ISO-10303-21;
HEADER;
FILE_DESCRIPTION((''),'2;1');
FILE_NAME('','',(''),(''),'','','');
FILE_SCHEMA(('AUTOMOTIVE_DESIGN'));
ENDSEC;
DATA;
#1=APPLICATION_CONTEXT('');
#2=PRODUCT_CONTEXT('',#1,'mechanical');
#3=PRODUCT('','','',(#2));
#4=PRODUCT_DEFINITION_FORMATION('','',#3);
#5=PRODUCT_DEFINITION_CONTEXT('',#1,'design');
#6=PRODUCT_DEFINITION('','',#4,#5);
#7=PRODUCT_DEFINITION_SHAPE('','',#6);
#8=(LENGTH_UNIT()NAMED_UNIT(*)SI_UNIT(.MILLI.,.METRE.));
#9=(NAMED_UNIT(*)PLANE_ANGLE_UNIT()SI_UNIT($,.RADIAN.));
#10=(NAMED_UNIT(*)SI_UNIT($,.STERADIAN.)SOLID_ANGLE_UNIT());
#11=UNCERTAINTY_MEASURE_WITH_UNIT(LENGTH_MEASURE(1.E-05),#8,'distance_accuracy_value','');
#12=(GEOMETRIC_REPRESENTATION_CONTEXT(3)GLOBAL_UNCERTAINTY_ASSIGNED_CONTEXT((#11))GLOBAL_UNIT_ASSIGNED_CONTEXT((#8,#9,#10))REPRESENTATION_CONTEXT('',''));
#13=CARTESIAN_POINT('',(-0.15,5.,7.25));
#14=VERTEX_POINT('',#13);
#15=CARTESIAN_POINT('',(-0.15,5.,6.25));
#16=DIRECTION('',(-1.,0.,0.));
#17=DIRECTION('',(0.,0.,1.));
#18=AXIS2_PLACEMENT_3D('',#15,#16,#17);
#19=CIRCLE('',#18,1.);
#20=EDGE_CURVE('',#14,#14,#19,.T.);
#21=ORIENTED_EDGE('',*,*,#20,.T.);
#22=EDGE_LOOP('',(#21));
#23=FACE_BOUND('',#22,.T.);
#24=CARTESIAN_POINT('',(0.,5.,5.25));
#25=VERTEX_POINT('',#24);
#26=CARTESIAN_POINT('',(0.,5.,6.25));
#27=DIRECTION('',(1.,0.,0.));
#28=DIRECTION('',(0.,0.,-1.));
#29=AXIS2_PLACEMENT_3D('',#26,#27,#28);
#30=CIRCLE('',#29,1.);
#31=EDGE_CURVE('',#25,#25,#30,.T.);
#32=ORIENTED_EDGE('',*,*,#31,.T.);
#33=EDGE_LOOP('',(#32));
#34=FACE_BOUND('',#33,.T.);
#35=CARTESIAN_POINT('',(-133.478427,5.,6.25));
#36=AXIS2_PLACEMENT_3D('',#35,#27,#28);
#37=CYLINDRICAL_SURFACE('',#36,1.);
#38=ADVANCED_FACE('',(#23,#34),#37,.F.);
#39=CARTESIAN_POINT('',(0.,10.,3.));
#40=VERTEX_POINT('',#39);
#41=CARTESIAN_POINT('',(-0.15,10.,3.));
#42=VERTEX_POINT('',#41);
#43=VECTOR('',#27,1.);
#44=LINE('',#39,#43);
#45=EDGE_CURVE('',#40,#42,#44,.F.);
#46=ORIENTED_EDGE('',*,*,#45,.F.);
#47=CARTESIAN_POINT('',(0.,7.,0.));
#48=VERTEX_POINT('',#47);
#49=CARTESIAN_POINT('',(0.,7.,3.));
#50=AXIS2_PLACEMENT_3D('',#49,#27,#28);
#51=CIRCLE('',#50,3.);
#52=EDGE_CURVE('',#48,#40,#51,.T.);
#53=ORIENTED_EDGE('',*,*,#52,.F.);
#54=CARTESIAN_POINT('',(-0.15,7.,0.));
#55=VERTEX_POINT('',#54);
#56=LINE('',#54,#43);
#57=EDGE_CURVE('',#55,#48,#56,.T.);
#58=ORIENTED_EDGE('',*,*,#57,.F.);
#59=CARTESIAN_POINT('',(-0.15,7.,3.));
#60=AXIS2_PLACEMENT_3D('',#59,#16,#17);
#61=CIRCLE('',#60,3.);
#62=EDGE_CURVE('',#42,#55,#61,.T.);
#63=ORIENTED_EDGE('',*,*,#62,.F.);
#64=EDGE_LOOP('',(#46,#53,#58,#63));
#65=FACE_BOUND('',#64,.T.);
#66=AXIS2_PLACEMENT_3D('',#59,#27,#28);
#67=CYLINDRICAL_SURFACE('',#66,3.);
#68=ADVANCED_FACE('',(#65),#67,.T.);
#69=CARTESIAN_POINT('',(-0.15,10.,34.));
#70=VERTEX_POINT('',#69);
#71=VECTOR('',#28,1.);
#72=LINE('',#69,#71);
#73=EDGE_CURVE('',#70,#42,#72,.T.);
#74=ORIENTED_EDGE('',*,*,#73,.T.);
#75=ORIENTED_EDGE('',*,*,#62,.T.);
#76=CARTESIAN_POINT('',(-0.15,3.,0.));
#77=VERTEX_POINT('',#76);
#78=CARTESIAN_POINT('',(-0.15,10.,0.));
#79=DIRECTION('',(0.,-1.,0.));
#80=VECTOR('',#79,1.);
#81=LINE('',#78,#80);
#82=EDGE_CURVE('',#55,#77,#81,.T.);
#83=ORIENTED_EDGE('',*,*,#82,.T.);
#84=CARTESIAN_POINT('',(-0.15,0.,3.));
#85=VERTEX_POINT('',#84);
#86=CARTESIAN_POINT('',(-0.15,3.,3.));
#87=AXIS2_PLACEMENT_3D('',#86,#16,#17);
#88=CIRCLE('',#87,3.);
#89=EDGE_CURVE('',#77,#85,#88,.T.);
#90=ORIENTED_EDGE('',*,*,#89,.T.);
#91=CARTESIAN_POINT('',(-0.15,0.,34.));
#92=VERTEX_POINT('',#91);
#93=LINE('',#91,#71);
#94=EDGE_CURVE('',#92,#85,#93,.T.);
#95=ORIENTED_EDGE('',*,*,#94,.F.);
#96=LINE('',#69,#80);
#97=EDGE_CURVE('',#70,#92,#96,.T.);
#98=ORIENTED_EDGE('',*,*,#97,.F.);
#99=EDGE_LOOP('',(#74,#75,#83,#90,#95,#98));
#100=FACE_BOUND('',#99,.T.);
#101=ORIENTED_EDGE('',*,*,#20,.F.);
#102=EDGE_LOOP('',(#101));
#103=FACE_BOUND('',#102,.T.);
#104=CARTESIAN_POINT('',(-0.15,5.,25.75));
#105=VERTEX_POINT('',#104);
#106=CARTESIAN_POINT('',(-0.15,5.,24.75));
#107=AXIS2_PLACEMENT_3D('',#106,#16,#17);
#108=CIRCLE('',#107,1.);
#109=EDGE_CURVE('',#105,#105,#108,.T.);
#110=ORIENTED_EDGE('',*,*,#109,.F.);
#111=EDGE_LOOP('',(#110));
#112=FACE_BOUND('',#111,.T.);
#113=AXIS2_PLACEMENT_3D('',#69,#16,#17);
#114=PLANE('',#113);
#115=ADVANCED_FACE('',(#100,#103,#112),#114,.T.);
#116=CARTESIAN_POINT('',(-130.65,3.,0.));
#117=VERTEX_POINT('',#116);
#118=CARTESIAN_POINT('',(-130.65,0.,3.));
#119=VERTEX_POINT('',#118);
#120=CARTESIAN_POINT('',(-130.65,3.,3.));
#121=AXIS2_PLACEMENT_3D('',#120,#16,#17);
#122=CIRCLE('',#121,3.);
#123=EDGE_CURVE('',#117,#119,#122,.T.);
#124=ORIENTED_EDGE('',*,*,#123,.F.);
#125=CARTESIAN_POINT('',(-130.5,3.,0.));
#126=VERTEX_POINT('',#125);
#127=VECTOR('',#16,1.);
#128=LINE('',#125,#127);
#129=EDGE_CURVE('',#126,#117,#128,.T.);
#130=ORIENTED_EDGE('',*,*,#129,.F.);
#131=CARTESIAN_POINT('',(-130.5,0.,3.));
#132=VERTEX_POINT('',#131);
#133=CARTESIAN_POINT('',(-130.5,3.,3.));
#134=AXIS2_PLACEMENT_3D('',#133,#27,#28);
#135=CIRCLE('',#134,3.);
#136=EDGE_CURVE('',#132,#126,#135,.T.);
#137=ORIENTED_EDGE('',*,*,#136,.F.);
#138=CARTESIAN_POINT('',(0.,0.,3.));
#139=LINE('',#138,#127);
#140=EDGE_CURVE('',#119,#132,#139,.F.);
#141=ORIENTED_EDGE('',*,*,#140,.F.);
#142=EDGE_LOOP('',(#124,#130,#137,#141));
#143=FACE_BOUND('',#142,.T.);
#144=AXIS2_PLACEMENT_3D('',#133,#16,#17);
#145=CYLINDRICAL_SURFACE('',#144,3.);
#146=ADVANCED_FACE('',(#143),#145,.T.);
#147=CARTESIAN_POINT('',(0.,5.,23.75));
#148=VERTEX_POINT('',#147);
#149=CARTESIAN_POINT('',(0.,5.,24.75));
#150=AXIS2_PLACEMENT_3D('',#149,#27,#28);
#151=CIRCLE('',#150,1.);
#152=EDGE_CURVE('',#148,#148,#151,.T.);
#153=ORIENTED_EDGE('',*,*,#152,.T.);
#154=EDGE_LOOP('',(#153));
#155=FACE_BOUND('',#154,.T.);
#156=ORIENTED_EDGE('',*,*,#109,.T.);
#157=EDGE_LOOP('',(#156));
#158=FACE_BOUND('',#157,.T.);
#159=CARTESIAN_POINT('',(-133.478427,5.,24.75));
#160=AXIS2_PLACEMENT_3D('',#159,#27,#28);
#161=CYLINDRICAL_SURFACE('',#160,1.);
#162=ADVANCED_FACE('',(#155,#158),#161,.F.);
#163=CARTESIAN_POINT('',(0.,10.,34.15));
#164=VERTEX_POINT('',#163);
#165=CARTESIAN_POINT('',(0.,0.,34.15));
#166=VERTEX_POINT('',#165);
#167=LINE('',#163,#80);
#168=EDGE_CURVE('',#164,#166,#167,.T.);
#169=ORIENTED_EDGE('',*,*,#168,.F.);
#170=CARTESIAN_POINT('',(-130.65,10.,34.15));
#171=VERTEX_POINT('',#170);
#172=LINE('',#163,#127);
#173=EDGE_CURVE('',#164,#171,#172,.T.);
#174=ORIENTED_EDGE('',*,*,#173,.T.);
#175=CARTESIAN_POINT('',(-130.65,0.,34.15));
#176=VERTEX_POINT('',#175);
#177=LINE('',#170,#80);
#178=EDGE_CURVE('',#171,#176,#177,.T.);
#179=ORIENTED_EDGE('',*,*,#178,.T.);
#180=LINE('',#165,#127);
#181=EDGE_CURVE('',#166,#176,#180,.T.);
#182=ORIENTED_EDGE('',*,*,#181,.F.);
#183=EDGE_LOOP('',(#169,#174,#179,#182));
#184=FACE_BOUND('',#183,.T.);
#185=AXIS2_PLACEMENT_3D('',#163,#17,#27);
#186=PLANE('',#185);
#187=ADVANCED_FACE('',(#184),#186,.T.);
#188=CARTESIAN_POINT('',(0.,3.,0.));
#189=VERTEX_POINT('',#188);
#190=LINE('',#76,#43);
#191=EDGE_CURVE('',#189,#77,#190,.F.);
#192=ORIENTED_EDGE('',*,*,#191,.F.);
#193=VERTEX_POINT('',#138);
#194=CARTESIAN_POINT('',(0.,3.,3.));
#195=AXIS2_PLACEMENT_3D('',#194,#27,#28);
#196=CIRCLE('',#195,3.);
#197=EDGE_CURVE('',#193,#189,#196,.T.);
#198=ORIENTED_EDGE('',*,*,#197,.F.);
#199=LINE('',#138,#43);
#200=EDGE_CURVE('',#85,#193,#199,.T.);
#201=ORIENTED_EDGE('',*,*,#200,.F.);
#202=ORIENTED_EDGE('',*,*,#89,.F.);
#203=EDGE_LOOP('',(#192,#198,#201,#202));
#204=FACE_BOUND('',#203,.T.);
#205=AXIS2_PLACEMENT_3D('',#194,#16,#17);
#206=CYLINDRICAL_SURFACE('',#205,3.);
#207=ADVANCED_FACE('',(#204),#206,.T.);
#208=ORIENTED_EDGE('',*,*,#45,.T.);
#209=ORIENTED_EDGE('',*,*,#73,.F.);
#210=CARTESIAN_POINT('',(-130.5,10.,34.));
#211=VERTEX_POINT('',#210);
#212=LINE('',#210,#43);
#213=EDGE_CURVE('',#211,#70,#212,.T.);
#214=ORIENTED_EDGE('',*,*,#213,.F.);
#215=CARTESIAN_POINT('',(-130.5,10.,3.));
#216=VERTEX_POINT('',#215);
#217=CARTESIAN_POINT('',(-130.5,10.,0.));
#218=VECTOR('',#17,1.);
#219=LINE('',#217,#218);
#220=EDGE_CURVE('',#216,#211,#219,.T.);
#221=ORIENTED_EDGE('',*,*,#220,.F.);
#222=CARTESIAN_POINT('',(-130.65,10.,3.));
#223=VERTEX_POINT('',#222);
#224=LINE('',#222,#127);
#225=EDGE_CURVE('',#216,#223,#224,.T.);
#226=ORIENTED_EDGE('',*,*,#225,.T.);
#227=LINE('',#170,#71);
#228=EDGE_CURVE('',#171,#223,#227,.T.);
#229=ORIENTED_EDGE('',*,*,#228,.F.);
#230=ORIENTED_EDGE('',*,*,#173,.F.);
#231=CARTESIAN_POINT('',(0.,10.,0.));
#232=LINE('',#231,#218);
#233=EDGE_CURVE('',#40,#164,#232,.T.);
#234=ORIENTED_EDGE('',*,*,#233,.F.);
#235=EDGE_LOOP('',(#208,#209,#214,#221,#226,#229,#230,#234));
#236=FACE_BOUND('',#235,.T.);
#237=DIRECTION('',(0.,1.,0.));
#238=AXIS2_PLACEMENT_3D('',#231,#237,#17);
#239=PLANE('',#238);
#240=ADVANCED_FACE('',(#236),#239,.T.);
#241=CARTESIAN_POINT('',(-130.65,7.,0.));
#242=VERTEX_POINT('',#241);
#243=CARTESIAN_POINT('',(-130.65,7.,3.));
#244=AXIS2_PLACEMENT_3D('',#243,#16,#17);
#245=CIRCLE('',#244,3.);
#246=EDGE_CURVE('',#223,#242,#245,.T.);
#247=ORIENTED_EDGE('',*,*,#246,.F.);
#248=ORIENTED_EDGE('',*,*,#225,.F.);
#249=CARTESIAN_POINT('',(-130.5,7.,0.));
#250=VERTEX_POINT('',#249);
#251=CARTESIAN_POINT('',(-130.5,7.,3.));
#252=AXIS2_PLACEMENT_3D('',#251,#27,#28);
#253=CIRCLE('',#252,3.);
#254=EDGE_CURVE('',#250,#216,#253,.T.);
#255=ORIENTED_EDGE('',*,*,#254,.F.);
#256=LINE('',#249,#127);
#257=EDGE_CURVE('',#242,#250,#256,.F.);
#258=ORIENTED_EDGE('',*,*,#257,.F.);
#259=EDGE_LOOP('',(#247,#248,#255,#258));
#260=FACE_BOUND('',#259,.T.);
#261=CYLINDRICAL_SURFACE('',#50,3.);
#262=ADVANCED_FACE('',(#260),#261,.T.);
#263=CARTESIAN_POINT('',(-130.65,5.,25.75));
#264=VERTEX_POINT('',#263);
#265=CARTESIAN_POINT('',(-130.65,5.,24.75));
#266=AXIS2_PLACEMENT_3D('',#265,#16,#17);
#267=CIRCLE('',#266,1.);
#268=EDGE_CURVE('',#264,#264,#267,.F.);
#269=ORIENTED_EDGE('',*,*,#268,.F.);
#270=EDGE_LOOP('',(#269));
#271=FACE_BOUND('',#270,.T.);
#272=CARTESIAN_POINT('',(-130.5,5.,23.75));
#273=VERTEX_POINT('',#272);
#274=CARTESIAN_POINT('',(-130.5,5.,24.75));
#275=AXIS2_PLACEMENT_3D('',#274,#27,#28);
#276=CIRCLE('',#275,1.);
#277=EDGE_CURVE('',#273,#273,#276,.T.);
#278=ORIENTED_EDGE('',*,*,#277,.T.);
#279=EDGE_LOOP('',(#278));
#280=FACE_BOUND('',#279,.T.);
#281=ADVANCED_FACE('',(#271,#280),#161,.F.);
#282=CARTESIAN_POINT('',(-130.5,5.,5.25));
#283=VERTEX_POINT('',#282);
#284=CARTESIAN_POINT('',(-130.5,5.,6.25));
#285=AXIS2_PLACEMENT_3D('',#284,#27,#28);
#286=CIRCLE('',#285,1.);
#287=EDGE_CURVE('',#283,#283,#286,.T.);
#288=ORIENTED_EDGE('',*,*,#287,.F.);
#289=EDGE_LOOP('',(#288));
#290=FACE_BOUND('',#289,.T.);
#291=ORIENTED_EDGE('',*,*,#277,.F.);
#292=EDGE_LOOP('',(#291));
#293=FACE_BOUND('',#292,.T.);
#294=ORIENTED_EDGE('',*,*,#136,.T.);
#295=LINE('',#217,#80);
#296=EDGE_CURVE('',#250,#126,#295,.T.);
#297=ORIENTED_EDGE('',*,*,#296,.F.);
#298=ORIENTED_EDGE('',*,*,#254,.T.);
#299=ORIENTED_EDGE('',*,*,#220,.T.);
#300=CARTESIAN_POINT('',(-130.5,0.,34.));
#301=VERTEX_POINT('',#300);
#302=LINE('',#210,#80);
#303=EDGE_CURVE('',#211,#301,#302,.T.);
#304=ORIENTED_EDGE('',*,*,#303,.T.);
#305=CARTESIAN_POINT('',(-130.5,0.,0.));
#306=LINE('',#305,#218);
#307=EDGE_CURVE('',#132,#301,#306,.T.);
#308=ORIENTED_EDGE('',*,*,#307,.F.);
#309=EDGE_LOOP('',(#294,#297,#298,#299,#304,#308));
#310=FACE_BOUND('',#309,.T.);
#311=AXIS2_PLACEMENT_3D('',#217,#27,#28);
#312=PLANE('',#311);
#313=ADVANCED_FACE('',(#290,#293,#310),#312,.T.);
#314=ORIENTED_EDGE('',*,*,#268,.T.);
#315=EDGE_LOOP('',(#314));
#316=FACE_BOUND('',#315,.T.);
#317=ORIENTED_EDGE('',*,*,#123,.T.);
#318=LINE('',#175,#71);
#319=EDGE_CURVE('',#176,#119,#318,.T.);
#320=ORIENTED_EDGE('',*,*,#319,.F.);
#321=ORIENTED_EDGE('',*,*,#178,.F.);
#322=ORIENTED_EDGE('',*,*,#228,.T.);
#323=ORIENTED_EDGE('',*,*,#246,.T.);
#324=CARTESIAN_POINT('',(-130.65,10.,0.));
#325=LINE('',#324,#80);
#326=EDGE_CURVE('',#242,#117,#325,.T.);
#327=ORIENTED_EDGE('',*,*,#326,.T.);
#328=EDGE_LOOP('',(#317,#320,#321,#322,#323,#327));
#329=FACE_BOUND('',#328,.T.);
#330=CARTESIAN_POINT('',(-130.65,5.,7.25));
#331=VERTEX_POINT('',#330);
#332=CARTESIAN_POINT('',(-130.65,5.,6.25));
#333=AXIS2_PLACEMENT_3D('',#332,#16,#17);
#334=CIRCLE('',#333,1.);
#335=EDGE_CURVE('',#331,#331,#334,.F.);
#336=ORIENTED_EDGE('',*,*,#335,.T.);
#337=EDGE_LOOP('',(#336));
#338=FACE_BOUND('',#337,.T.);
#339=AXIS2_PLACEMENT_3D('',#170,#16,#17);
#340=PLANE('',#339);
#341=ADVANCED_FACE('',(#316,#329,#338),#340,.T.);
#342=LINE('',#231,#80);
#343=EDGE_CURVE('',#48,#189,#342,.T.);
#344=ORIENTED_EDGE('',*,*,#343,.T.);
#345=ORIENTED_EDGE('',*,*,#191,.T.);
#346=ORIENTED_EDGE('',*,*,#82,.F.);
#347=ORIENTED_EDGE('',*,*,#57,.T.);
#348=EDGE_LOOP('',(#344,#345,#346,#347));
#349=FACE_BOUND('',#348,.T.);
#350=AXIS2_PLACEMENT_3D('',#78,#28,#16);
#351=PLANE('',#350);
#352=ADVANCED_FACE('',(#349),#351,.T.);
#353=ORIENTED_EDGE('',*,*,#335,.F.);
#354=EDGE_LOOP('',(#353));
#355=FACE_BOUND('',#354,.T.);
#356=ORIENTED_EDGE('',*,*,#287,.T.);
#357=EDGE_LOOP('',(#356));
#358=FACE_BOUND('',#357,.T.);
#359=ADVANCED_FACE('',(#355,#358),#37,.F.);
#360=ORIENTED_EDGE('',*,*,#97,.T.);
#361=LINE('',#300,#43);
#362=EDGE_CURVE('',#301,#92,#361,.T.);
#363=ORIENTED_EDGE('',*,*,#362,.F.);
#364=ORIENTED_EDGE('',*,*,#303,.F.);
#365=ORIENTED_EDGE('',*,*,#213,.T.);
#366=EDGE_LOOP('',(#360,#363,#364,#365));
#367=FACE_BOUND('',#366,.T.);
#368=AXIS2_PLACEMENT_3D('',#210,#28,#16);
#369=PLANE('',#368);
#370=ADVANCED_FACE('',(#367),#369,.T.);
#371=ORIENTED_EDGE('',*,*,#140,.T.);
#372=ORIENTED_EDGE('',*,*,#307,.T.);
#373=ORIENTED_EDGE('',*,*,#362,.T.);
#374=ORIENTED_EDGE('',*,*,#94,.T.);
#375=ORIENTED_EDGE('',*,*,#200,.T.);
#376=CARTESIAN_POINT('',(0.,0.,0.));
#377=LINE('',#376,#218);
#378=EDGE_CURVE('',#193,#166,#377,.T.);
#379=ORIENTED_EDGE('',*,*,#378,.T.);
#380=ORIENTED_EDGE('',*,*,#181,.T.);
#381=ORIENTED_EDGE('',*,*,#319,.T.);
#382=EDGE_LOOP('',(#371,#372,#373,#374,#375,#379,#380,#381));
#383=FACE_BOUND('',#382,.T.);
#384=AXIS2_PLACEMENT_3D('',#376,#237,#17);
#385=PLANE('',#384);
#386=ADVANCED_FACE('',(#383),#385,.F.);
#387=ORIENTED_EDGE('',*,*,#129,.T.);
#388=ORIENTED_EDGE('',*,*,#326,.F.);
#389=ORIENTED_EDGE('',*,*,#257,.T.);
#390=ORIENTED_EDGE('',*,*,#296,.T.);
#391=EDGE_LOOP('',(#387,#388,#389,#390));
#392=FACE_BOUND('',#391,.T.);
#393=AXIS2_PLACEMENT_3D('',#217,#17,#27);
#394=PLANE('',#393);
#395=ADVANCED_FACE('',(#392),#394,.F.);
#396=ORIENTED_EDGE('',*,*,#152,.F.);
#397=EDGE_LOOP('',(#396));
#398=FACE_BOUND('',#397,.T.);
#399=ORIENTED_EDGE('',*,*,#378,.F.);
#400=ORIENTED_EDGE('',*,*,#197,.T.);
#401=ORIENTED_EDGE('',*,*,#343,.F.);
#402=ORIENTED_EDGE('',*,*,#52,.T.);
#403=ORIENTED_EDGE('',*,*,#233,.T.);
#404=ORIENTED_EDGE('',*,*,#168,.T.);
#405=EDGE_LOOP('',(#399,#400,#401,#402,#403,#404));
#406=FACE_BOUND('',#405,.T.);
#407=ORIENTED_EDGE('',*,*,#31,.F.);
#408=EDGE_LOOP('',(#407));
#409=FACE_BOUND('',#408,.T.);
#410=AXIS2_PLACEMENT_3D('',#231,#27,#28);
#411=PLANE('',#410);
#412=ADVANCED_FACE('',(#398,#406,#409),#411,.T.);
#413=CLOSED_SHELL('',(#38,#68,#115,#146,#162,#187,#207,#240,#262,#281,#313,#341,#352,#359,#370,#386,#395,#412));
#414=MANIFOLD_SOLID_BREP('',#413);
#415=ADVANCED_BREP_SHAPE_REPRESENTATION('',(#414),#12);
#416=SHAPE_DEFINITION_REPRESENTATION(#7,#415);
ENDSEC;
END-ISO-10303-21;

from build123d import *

# Parameters (mm, degrees)
BOSS_EXTRUDE1_DEPTH = 10
FILLET1_R           = 3
SKETCH2_R           = 1
CUT_EXTRUDE1_DEPTH  = 130.65


with BuildPart() as part:
    # Sketch1 → Boss-Extrude1 (new body)
    with BuildSketch(Plane(origin=(0, 0, 0), x_dir=(1, 0, 0), z_dir=(0, 1, 0))):
        Polygon((0, 0), (0, -34.15), (-130.65, -34.15), (-130.65, 0), (-130.5, 0), (-130.5, -34), (-0.15, -34), (-0.15, 0), align=None)
    extrude(amount=BOSS_EXTRUDE1_DEPTH)

    # Fillet1
    fillet1_edges = [part.edges().sort_by_distance(p)[0] for p in [
        (-0.075, 10, 0),
        (-130.575, 10, 0),
        (-130.575, 0, 0),
        (-0.075, 0, 0),
    ]]
    fillet(fillet1_edges, radius=FILLET1_R)

    # Sketch2 → Cut-Extrude1 (cut)
    with BuildSketch(Plane(origin=(0, 0, 0), x_dir=(0, 0, -1), z_dir=(1, 0, 0))):
        with Locations((-6.25, 5)):
            Circle(SKETCH2_R)
        with Locations((-24.75, 5)):
            Circle(SKETCH2_R)
    extrude(amount=-CUT_EXTRUDE1_DEPTH, mode=Mode.SUBTRACT)


solid = part.part
